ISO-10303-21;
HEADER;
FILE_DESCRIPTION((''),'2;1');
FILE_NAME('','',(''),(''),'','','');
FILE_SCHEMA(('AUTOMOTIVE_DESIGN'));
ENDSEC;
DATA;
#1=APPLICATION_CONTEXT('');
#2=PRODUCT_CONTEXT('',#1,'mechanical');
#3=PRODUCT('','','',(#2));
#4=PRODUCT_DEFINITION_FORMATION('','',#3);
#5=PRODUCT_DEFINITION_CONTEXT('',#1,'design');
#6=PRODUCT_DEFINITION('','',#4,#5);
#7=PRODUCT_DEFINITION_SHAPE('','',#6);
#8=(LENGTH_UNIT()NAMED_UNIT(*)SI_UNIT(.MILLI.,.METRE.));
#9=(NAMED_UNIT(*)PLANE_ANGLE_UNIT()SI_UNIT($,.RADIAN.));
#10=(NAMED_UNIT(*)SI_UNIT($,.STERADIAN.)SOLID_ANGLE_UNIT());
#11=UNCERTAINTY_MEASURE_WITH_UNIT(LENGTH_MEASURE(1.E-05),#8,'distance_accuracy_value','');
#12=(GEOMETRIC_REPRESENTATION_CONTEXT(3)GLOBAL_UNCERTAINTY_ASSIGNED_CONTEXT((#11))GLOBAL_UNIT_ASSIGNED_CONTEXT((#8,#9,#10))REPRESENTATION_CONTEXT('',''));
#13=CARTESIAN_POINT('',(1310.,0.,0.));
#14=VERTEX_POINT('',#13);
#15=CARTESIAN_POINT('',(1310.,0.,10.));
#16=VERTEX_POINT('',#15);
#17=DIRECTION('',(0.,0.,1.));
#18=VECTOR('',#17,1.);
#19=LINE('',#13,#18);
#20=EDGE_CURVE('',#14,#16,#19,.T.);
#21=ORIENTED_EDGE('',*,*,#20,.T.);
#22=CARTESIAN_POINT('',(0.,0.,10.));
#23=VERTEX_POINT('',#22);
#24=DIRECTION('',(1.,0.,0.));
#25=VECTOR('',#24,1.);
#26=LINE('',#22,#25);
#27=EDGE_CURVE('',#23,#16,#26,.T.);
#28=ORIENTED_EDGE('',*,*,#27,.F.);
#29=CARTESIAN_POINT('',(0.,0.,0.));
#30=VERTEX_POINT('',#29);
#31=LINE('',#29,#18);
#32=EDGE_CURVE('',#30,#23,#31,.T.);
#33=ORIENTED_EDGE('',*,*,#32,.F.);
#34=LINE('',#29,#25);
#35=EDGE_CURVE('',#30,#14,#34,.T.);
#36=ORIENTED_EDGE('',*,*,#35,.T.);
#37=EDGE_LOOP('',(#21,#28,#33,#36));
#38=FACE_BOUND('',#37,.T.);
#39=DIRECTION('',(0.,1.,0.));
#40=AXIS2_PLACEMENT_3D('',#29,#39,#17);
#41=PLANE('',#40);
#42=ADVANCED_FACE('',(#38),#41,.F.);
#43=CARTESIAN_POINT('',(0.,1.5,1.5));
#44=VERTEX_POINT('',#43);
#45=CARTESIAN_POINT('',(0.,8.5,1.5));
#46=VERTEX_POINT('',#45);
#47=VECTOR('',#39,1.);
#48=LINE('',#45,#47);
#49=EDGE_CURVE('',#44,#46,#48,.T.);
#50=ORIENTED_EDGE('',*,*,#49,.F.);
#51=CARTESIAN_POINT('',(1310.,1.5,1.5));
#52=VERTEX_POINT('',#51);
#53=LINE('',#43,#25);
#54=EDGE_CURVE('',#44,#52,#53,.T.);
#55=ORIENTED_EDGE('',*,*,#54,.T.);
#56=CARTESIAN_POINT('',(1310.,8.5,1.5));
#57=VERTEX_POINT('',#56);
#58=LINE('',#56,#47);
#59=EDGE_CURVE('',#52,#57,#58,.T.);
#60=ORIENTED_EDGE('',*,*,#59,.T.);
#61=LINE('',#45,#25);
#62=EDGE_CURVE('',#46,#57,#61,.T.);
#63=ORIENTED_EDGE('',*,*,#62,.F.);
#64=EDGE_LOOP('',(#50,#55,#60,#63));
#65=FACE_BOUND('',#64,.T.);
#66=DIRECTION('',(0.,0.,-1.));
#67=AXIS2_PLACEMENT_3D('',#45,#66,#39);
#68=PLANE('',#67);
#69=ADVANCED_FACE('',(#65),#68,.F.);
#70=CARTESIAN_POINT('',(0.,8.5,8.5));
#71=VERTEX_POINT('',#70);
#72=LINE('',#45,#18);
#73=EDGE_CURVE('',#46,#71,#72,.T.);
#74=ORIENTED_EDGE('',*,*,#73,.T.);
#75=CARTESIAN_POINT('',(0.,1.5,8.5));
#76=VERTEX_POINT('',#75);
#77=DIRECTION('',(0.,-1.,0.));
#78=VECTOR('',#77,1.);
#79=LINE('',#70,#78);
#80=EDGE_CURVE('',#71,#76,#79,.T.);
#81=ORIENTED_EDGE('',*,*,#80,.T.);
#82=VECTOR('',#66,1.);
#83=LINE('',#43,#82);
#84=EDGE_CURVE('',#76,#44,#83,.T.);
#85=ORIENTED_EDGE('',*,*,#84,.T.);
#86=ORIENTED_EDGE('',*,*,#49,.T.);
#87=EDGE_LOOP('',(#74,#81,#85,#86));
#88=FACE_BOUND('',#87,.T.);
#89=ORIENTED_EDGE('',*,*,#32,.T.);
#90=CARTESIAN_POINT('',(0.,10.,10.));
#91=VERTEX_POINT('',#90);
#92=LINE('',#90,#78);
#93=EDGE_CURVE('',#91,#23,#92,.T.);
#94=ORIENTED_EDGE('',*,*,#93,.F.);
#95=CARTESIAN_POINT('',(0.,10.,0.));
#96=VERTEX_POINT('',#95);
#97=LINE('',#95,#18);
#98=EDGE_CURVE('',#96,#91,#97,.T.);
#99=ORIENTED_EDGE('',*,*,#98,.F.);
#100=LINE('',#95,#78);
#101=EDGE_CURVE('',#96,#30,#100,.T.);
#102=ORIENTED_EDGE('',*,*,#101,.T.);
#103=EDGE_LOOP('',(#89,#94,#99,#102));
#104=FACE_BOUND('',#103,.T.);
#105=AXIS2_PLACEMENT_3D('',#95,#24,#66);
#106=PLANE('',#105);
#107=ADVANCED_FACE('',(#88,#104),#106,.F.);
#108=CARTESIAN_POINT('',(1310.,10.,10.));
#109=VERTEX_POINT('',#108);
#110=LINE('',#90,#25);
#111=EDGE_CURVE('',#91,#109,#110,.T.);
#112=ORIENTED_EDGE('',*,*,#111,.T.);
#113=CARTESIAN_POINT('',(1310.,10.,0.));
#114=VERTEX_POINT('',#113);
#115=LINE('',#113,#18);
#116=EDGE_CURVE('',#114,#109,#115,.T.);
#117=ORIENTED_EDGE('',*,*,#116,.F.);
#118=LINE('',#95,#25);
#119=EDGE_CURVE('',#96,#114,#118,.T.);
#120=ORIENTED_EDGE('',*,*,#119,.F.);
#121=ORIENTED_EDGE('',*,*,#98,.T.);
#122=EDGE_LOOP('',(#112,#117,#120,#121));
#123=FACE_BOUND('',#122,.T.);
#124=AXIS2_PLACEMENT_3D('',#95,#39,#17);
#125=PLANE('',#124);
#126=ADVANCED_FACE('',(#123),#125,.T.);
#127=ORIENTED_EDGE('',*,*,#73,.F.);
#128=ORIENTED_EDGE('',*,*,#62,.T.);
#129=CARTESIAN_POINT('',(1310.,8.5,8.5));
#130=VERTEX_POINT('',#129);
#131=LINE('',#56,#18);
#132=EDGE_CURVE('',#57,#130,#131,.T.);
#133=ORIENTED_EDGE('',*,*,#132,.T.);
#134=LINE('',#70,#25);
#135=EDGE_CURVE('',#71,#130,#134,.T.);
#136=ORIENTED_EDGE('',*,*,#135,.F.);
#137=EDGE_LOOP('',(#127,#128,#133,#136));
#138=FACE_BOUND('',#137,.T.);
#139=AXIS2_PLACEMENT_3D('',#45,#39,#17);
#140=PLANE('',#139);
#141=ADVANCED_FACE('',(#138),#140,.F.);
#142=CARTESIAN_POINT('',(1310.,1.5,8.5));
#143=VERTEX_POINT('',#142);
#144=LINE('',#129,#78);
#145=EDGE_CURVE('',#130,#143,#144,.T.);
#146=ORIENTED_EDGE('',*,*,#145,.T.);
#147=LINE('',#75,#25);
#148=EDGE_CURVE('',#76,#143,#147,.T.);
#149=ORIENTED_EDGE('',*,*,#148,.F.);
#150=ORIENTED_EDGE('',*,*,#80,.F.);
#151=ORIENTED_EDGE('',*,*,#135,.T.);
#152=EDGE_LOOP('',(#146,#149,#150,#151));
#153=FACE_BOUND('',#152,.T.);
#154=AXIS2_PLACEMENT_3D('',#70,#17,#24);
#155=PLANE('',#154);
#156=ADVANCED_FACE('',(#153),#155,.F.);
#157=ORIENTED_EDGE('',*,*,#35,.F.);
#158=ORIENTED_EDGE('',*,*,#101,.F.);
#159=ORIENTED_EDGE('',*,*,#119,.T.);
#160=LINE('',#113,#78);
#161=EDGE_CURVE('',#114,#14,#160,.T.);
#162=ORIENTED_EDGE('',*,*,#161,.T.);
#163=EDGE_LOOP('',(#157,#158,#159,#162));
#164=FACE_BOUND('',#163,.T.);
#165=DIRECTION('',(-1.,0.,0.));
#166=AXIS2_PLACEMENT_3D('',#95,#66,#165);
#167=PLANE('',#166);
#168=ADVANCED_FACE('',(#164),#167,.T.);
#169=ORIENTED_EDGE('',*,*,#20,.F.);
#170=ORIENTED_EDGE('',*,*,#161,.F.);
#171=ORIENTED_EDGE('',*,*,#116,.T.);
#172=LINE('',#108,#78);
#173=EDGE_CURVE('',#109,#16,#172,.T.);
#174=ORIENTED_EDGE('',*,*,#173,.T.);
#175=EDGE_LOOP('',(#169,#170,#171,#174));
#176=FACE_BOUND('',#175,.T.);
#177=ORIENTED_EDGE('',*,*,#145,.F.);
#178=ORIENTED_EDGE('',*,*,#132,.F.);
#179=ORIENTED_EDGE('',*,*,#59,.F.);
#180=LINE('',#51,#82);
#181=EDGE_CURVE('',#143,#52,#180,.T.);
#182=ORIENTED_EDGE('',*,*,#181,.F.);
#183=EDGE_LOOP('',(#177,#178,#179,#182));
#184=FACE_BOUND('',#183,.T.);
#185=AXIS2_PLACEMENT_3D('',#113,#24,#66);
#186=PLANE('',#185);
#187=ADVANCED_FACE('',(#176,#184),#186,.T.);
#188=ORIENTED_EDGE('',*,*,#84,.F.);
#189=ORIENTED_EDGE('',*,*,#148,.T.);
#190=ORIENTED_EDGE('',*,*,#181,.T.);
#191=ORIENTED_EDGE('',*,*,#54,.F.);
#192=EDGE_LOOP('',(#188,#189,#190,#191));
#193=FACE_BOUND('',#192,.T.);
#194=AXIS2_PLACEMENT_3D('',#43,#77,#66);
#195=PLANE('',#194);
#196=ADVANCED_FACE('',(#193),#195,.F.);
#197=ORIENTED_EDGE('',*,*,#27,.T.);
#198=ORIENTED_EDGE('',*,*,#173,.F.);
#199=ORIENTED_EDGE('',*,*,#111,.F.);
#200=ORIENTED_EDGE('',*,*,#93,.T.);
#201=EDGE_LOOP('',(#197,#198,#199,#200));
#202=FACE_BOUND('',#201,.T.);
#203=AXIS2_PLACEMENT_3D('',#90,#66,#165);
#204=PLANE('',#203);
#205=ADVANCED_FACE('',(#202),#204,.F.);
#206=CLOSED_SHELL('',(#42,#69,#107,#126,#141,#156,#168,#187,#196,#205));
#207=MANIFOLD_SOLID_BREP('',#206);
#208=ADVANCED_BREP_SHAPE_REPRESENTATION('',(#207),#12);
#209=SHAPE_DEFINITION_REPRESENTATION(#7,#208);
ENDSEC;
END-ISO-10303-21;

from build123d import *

# Parameters (mm, degrees)
SKETCH1_W           = 1310
SKETCH1_H           = 10
BOSS_EXTRUDE1_DEPTH = 10
SKETCH2_W           = 7
SKETCH2_H           = 7
CUT_EXTRUDE1_DEPTH  = 1311.076333654


with BuildPart() as part:
    # Sketch1 → Boss-Extrude1 (new body)
    with BuildSketch(Plane(origin=(0, 0, 0), x_dir=(1, 0, 0), z_dir=(0, 1, 0))):
        with Locations((655, -5)):
            Rectangle(SKETCH1_W, SKETCH1_H)
    extrude(amount=BOSS_EXTRUDE1_DEPTH)

    # Sketch2 → Cut-Extrude1 (cut, through all)
    with BuildSketch(Plane(origin=(1310, 0, 0), x_dir=(0, 0, -1), z_dir=(1, 0, 0))):
        with Locations((-5, 5)):
            Rectangle(SKETCH2_W, SKETCH2_H)
    extrude(amount=-CUT_EXTRUDE1_DEPTH, mode=Mode.SUBTRACT)


solid = part.part
